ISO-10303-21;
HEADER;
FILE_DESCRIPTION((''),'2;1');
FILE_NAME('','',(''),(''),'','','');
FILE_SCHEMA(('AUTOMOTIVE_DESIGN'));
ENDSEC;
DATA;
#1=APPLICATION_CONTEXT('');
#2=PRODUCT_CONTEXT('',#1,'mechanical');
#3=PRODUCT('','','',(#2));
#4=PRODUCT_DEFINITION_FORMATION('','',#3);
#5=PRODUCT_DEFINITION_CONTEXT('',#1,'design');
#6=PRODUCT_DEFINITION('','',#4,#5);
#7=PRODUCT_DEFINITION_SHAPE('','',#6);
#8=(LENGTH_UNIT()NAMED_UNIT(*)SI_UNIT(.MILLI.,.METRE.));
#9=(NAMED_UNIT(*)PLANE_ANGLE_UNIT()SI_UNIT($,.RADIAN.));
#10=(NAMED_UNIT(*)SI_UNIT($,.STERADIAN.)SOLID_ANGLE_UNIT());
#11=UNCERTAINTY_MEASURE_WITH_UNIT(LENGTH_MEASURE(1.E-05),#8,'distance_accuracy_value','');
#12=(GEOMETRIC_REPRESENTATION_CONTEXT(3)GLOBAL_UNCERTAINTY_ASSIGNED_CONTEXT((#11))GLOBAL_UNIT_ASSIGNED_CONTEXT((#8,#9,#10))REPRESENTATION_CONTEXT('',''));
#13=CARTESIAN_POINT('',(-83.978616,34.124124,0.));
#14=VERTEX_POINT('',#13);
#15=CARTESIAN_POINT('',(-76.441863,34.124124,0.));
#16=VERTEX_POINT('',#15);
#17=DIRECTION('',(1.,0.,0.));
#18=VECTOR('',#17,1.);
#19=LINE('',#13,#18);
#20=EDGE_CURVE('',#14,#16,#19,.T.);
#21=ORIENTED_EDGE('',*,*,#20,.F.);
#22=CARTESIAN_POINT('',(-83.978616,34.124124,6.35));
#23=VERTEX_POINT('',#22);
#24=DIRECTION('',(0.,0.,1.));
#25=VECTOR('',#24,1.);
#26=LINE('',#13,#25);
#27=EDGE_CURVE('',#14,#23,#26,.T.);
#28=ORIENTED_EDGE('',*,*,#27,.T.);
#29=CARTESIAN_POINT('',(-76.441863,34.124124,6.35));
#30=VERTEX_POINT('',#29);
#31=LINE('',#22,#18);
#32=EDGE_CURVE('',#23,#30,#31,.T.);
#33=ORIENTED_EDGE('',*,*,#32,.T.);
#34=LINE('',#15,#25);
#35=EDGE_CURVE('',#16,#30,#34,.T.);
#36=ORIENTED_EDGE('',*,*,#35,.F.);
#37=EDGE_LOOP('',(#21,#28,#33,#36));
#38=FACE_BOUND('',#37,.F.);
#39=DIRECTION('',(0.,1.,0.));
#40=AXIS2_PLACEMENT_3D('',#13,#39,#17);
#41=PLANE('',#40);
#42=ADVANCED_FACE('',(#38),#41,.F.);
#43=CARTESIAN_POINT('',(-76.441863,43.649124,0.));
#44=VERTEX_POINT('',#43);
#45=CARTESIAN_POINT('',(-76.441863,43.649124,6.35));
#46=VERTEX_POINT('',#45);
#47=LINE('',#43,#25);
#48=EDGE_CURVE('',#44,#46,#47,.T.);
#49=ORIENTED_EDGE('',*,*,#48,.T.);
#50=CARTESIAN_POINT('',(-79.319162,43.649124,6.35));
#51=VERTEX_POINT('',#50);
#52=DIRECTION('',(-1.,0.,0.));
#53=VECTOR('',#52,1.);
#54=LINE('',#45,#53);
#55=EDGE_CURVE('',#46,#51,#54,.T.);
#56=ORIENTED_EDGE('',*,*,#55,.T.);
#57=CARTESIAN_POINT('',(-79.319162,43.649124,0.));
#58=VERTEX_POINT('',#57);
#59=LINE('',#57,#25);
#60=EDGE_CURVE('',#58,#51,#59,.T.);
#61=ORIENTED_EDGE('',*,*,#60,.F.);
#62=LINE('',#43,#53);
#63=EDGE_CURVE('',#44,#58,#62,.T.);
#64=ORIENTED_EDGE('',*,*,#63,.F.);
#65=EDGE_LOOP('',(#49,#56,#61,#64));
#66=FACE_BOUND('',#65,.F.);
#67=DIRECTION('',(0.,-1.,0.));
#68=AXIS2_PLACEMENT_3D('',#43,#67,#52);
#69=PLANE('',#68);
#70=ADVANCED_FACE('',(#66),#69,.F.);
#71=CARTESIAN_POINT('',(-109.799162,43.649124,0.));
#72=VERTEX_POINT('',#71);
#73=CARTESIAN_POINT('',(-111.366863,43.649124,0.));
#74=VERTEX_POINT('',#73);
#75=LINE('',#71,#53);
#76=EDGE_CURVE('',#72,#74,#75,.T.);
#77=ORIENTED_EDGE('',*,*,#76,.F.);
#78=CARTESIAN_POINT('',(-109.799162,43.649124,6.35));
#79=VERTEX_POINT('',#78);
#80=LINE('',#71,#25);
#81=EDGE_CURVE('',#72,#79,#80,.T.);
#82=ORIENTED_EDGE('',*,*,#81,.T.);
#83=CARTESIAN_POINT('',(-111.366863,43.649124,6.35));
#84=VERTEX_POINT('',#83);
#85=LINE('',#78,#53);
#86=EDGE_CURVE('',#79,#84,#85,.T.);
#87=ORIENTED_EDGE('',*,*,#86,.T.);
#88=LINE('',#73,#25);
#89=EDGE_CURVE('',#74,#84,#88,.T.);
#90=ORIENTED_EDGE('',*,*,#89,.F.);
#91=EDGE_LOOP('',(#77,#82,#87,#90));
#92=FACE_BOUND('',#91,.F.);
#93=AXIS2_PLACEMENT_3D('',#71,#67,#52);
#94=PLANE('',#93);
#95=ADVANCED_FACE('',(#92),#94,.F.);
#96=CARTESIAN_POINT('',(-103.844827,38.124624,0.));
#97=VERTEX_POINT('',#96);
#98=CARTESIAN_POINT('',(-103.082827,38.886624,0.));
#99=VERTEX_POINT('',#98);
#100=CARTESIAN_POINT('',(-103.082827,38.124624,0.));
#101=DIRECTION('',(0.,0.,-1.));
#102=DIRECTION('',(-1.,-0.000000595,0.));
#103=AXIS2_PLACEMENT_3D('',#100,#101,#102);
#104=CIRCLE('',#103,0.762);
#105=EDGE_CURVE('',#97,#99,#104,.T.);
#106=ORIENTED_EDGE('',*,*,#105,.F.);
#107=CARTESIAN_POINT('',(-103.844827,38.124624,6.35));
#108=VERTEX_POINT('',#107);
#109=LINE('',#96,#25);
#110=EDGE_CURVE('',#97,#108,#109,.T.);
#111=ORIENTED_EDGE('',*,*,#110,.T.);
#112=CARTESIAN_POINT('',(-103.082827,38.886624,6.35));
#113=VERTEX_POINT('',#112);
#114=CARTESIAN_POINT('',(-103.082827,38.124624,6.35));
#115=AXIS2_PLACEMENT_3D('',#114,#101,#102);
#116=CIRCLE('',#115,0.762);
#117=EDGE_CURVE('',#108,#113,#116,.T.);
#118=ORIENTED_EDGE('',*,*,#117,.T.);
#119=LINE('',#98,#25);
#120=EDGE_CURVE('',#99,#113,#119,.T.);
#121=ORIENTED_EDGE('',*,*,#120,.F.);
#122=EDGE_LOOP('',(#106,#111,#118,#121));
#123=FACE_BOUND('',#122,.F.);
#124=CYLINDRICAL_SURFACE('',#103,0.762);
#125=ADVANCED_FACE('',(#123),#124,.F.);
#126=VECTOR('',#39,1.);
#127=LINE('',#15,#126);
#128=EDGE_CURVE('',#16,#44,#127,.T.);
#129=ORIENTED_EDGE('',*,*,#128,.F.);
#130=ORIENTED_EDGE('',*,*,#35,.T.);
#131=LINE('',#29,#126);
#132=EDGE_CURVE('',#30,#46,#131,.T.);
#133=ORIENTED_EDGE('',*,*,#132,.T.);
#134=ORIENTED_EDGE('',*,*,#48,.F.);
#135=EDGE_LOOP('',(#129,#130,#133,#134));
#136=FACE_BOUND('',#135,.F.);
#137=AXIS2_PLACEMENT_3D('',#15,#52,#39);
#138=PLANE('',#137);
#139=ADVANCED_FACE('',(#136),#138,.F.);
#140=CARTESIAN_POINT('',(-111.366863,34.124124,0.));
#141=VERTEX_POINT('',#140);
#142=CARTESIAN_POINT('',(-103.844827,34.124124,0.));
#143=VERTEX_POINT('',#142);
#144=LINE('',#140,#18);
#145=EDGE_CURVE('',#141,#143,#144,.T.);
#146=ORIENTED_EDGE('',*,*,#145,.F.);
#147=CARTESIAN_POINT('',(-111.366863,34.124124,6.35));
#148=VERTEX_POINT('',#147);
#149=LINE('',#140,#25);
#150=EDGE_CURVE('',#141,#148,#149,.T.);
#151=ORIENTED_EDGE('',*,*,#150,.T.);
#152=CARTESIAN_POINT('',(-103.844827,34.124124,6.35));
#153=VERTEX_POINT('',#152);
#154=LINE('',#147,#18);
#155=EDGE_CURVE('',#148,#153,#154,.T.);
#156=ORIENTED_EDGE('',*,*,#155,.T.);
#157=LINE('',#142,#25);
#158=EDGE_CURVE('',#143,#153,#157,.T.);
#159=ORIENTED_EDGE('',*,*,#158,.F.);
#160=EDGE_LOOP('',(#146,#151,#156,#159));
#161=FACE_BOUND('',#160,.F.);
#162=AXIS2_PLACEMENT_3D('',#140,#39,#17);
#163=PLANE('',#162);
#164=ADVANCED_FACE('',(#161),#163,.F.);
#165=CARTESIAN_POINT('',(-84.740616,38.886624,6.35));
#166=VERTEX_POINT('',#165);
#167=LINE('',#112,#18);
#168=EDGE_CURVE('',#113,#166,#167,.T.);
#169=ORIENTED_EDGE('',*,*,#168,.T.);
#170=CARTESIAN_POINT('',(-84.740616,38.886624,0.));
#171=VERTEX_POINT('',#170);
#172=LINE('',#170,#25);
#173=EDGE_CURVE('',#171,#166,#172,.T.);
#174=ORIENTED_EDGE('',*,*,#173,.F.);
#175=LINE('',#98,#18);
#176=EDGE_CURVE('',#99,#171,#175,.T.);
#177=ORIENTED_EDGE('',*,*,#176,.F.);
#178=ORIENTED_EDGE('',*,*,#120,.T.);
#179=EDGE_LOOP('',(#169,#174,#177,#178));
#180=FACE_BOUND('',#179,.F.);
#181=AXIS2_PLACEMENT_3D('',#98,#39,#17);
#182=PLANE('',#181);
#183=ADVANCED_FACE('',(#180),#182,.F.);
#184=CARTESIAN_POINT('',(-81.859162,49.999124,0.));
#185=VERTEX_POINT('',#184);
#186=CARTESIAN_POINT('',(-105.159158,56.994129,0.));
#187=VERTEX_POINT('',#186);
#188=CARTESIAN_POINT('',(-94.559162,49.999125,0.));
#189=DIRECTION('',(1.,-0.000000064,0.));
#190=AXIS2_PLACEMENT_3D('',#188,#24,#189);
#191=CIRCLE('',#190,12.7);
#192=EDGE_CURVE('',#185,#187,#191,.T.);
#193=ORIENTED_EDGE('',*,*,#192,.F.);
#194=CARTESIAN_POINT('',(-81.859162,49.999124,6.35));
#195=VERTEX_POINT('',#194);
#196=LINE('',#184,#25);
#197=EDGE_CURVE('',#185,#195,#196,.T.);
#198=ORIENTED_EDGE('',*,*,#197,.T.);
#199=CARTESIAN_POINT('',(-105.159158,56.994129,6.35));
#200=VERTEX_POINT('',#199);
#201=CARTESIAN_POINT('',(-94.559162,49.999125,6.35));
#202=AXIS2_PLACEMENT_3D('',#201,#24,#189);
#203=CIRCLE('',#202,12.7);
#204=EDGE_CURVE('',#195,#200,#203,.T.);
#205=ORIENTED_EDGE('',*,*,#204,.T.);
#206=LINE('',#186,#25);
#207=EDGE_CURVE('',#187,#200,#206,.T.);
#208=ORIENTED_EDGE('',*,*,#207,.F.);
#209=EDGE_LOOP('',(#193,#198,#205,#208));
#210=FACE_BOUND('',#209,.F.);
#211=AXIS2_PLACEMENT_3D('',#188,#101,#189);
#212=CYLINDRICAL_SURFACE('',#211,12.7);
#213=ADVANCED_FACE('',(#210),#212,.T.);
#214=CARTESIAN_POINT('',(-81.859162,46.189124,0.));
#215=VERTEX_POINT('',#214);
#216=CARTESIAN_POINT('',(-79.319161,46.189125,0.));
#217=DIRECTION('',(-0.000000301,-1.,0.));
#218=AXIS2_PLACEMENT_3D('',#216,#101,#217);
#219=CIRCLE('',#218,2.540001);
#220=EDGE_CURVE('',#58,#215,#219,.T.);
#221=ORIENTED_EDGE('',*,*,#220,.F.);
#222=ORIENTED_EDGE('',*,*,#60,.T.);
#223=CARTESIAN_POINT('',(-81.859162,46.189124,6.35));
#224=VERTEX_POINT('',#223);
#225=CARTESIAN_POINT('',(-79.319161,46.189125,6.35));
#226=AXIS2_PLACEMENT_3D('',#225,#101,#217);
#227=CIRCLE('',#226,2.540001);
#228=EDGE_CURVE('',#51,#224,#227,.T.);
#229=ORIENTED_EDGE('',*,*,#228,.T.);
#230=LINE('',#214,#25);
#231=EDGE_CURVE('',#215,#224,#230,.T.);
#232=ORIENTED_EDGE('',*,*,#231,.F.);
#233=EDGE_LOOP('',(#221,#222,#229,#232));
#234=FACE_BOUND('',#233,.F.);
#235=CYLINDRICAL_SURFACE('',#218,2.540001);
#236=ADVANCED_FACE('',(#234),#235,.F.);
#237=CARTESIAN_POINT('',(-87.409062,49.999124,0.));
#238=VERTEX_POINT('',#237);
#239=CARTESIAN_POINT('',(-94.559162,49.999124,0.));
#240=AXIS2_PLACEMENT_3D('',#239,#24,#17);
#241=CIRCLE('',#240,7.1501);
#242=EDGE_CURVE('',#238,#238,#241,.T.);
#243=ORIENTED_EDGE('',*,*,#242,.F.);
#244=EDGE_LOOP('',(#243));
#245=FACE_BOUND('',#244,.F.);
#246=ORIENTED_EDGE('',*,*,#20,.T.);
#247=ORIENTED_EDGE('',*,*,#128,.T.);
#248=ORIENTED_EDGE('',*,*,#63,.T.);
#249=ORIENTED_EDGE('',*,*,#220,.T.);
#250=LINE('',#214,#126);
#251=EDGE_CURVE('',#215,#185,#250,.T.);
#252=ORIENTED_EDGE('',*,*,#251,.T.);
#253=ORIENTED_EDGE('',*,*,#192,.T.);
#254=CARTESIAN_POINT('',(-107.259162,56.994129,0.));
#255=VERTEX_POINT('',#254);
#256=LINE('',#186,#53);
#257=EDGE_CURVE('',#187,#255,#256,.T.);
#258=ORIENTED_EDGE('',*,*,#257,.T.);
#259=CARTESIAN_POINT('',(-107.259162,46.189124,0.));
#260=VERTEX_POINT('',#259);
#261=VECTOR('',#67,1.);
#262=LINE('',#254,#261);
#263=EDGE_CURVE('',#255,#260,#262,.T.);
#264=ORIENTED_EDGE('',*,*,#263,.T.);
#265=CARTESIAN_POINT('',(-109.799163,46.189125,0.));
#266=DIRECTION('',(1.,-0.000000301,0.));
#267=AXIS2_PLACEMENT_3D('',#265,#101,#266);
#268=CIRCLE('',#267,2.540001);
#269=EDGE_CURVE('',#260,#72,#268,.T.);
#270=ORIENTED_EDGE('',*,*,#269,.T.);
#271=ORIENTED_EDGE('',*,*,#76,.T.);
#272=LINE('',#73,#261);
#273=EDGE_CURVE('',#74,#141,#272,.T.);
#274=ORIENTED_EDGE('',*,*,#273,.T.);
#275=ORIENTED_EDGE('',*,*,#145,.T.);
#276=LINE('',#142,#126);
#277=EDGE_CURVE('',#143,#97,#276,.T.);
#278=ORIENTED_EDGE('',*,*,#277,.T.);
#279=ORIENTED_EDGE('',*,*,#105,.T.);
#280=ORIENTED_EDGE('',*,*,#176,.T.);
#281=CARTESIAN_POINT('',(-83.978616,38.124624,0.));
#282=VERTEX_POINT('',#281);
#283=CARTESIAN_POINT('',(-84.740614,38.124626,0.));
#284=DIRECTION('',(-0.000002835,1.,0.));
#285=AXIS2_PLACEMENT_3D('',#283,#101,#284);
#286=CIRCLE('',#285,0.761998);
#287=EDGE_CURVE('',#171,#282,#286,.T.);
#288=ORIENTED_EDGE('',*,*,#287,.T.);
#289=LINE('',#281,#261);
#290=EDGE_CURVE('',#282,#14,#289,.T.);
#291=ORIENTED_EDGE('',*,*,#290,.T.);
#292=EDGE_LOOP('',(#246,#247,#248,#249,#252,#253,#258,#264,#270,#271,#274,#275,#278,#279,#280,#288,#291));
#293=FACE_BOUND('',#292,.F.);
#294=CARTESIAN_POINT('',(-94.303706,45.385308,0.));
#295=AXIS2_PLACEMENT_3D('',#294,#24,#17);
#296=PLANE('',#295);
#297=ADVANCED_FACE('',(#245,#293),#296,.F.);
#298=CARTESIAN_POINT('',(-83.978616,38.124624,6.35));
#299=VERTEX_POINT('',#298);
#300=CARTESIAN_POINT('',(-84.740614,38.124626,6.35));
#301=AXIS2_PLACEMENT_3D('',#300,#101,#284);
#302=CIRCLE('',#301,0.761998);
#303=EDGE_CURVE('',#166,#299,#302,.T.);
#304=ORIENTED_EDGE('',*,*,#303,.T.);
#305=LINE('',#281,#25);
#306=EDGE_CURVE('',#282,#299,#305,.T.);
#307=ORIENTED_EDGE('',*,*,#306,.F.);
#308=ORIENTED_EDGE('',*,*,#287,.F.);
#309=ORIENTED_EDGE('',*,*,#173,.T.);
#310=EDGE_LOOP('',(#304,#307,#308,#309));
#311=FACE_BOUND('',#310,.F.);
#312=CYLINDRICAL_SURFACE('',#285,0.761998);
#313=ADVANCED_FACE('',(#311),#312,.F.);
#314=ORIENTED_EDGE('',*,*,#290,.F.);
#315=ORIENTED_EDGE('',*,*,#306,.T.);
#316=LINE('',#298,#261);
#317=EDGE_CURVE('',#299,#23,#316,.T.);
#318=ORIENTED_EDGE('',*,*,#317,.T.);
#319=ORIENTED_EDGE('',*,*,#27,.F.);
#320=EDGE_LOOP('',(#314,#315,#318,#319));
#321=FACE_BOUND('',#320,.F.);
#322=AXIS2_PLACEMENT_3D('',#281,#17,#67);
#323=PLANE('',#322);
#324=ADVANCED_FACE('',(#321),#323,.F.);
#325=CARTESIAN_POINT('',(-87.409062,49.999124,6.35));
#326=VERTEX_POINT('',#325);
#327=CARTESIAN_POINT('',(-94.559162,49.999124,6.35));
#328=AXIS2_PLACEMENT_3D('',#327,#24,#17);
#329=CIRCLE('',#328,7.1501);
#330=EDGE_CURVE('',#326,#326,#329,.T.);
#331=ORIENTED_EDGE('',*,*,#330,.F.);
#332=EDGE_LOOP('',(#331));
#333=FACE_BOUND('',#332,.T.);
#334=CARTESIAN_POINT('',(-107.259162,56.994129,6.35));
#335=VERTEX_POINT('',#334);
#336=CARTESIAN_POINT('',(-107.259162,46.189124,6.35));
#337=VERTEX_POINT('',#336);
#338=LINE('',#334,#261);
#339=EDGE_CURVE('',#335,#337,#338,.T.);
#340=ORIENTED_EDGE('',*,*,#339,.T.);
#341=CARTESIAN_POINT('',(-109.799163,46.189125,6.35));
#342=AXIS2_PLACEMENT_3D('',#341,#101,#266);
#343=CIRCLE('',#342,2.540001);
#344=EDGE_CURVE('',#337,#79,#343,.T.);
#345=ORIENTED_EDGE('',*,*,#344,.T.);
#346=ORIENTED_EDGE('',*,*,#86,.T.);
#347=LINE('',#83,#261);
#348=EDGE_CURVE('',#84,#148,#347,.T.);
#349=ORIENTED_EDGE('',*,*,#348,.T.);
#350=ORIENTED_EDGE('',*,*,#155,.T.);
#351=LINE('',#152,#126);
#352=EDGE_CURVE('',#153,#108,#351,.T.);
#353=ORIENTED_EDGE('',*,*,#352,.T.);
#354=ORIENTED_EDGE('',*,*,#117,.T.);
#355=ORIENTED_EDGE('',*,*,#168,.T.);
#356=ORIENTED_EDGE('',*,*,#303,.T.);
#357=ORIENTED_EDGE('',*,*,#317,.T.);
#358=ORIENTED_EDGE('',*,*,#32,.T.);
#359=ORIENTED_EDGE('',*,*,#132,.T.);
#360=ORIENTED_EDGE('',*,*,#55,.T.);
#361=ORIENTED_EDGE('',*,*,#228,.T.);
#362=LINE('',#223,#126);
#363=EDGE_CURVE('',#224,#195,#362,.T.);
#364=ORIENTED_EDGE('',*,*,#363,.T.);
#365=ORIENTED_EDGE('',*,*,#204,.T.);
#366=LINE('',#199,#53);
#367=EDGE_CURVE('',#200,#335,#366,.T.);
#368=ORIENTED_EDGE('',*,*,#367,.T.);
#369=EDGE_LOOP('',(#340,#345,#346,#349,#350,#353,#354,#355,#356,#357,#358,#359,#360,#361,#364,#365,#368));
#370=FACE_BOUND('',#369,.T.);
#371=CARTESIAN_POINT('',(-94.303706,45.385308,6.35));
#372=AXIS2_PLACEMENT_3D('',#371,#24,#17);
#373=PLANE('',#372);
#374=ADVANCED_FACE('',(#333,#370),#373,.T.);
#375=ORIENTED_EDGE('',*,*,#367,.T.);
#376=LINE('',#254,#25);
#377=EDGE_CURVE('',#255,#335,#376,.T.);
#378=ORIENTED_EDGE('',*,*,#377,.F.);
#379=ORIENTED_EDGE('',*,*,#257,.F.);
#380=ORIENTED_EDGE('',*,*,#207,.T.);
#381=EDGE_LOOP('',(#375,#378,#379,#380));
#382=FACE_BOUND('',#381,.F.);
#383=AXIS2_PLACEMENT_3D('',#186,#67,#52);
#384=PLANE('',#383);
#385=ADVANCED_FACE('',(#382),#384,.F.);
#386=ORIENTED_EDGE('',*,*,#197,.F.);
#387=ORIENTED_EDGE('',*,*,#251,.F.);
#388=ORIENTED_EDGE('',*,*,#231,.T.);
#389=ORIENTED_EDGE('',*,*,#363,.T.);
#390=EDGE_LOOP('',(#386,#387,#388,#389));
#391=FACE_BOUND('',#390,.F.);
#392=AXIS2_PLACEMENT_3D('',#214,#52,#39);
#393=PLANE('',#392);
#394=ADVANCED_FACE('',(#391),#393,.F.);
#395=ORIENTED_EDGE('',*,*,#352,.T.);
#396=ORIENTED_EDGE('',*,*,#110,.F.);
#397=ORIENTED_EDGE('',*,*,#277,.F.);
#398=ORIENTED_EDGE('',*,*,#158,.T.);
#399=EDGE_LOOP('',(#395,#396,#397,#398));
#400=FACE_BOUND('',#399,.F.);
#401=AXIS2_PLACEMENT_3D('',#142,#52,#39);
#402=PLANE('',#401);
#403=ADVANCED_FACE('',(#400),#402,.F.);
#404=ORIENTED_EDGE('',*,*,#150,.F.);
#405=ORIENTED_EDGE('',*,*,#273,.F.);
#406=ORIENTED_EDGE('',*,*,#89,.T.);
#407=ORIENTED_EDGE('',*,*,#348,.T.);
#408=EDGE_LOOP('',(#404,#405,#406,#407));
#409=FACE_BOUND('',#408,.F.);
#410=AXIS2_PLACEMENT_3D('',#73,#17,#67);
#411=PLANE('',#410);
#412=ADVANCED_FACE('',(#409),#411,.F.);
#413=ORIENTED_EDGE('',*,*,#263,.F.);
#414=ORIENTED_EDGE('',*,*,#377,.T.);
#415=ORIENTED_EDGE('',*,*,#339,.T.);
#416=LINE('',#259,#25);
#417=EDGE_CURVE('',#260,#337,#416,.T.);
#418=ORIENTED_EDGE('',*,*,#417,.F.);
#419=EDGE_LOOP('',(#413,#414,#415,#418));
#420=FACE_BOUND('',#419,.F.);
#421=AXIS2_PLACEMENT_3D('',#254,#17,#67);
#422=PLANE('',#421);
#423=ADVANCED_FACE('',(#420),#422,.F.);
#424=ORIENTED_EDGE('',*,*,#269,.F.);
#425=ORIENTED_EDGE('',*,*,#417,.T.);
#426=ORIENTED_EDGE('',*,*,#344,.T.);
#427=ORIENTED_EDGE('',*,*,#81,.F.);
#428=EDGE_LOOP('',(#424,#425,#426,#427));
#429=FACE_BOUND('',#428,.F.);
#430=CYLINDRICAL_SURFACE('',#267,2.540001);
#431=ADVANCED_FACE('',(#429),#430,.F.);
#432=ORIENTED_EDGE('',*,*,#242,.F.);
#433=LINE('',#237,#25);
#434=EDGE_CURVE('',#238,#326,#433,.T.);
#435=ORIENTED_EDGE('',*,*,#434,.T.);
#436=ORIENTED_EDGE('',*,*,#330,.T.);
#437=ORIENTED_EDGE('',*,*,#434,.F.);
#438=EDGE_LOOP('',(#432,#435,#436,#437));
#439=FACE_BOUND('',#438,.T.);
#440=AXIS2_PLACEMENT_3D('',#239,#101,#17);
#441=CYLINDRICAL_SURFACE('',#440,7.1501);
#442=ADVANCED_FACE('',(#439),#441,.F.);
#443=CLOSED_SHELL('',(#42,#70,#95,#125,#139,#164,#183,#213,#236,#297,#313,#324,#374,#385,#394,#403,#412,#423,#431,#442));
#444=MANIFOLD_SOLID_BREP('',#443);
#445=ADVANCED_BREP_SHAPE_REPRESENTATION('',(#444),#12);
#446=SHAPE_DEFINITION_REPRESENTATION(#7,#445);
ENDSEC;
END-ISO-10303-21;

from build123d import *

# Parameters (mm, degrees)
F0_R     = 7.1501
F1_DEPTH = 6.35


with BuildPart() as f1:
    # F0 (on Top) → F1 (new body)
    with BuildSketch(Plane.XY):
        with BuildLine():
            Line((-109.799162, 43.649124), (-111.366863, 43.649124))
            Line((-111.366863, 43.649124), (-111.366863, 34.124124))
            Line((-111.366863, 34.124124), (-103.844827, 34.124124))
            Line((-103.844827, 34.124124), (-103.844827, 38.124624))
            ThreePointArc((-103.844827, 38.124624), (-103.621642, 38.66344), (-103.082827, 38.886624))
            Line((-103.082827, 38.886624), (-84.740616, 38.886624))
            ThreePointArc((-84.740616, 38.886624), (-84.2018, 38.66344), (-83.978616, 38.124624))
            Line((-83.978616, 38.124624), (-83.978616, 34.124124))
            Line((-83.978616, 34.124124), (-76.441863, 34.124124))
            Line((-76.441863, 34.124124), (-76.441863, 43.649124))
            Line((-76.441863, 43.649124), (-79.319162, 43.649124))
            ThreePointArc((-79.319162, 43.649124), (-81.115213, 44.393073), (-81.859162, 46.189124))
            Line((-81.859162, 46.189124), (-81.859162, 49.999124))
            ThreePointArc((-81.859162, 49.999124), (-90.907446, 62.162799), (-105.159158, 56.994129))
            Line((-105.159158, 56.994129), (-107.259162, 56.994129))
            Line((-107.259162, 56.994129), (-107.259162, 49.999124))
            Line((-107.259162, 49.999124), (-107.259162, 46.189124))
            ThreePointArc((-107.259162, 46.189124), (-108.003111, 44.393073), (-109.799162, 43.649124))
        make_face()
        with Locations((-94.559162, 49.999124)):
            Circle(F0_R, mode=Mode.SUBTRACT)
    extrude(amount=F1_DEPTH)


solid = f1.part
